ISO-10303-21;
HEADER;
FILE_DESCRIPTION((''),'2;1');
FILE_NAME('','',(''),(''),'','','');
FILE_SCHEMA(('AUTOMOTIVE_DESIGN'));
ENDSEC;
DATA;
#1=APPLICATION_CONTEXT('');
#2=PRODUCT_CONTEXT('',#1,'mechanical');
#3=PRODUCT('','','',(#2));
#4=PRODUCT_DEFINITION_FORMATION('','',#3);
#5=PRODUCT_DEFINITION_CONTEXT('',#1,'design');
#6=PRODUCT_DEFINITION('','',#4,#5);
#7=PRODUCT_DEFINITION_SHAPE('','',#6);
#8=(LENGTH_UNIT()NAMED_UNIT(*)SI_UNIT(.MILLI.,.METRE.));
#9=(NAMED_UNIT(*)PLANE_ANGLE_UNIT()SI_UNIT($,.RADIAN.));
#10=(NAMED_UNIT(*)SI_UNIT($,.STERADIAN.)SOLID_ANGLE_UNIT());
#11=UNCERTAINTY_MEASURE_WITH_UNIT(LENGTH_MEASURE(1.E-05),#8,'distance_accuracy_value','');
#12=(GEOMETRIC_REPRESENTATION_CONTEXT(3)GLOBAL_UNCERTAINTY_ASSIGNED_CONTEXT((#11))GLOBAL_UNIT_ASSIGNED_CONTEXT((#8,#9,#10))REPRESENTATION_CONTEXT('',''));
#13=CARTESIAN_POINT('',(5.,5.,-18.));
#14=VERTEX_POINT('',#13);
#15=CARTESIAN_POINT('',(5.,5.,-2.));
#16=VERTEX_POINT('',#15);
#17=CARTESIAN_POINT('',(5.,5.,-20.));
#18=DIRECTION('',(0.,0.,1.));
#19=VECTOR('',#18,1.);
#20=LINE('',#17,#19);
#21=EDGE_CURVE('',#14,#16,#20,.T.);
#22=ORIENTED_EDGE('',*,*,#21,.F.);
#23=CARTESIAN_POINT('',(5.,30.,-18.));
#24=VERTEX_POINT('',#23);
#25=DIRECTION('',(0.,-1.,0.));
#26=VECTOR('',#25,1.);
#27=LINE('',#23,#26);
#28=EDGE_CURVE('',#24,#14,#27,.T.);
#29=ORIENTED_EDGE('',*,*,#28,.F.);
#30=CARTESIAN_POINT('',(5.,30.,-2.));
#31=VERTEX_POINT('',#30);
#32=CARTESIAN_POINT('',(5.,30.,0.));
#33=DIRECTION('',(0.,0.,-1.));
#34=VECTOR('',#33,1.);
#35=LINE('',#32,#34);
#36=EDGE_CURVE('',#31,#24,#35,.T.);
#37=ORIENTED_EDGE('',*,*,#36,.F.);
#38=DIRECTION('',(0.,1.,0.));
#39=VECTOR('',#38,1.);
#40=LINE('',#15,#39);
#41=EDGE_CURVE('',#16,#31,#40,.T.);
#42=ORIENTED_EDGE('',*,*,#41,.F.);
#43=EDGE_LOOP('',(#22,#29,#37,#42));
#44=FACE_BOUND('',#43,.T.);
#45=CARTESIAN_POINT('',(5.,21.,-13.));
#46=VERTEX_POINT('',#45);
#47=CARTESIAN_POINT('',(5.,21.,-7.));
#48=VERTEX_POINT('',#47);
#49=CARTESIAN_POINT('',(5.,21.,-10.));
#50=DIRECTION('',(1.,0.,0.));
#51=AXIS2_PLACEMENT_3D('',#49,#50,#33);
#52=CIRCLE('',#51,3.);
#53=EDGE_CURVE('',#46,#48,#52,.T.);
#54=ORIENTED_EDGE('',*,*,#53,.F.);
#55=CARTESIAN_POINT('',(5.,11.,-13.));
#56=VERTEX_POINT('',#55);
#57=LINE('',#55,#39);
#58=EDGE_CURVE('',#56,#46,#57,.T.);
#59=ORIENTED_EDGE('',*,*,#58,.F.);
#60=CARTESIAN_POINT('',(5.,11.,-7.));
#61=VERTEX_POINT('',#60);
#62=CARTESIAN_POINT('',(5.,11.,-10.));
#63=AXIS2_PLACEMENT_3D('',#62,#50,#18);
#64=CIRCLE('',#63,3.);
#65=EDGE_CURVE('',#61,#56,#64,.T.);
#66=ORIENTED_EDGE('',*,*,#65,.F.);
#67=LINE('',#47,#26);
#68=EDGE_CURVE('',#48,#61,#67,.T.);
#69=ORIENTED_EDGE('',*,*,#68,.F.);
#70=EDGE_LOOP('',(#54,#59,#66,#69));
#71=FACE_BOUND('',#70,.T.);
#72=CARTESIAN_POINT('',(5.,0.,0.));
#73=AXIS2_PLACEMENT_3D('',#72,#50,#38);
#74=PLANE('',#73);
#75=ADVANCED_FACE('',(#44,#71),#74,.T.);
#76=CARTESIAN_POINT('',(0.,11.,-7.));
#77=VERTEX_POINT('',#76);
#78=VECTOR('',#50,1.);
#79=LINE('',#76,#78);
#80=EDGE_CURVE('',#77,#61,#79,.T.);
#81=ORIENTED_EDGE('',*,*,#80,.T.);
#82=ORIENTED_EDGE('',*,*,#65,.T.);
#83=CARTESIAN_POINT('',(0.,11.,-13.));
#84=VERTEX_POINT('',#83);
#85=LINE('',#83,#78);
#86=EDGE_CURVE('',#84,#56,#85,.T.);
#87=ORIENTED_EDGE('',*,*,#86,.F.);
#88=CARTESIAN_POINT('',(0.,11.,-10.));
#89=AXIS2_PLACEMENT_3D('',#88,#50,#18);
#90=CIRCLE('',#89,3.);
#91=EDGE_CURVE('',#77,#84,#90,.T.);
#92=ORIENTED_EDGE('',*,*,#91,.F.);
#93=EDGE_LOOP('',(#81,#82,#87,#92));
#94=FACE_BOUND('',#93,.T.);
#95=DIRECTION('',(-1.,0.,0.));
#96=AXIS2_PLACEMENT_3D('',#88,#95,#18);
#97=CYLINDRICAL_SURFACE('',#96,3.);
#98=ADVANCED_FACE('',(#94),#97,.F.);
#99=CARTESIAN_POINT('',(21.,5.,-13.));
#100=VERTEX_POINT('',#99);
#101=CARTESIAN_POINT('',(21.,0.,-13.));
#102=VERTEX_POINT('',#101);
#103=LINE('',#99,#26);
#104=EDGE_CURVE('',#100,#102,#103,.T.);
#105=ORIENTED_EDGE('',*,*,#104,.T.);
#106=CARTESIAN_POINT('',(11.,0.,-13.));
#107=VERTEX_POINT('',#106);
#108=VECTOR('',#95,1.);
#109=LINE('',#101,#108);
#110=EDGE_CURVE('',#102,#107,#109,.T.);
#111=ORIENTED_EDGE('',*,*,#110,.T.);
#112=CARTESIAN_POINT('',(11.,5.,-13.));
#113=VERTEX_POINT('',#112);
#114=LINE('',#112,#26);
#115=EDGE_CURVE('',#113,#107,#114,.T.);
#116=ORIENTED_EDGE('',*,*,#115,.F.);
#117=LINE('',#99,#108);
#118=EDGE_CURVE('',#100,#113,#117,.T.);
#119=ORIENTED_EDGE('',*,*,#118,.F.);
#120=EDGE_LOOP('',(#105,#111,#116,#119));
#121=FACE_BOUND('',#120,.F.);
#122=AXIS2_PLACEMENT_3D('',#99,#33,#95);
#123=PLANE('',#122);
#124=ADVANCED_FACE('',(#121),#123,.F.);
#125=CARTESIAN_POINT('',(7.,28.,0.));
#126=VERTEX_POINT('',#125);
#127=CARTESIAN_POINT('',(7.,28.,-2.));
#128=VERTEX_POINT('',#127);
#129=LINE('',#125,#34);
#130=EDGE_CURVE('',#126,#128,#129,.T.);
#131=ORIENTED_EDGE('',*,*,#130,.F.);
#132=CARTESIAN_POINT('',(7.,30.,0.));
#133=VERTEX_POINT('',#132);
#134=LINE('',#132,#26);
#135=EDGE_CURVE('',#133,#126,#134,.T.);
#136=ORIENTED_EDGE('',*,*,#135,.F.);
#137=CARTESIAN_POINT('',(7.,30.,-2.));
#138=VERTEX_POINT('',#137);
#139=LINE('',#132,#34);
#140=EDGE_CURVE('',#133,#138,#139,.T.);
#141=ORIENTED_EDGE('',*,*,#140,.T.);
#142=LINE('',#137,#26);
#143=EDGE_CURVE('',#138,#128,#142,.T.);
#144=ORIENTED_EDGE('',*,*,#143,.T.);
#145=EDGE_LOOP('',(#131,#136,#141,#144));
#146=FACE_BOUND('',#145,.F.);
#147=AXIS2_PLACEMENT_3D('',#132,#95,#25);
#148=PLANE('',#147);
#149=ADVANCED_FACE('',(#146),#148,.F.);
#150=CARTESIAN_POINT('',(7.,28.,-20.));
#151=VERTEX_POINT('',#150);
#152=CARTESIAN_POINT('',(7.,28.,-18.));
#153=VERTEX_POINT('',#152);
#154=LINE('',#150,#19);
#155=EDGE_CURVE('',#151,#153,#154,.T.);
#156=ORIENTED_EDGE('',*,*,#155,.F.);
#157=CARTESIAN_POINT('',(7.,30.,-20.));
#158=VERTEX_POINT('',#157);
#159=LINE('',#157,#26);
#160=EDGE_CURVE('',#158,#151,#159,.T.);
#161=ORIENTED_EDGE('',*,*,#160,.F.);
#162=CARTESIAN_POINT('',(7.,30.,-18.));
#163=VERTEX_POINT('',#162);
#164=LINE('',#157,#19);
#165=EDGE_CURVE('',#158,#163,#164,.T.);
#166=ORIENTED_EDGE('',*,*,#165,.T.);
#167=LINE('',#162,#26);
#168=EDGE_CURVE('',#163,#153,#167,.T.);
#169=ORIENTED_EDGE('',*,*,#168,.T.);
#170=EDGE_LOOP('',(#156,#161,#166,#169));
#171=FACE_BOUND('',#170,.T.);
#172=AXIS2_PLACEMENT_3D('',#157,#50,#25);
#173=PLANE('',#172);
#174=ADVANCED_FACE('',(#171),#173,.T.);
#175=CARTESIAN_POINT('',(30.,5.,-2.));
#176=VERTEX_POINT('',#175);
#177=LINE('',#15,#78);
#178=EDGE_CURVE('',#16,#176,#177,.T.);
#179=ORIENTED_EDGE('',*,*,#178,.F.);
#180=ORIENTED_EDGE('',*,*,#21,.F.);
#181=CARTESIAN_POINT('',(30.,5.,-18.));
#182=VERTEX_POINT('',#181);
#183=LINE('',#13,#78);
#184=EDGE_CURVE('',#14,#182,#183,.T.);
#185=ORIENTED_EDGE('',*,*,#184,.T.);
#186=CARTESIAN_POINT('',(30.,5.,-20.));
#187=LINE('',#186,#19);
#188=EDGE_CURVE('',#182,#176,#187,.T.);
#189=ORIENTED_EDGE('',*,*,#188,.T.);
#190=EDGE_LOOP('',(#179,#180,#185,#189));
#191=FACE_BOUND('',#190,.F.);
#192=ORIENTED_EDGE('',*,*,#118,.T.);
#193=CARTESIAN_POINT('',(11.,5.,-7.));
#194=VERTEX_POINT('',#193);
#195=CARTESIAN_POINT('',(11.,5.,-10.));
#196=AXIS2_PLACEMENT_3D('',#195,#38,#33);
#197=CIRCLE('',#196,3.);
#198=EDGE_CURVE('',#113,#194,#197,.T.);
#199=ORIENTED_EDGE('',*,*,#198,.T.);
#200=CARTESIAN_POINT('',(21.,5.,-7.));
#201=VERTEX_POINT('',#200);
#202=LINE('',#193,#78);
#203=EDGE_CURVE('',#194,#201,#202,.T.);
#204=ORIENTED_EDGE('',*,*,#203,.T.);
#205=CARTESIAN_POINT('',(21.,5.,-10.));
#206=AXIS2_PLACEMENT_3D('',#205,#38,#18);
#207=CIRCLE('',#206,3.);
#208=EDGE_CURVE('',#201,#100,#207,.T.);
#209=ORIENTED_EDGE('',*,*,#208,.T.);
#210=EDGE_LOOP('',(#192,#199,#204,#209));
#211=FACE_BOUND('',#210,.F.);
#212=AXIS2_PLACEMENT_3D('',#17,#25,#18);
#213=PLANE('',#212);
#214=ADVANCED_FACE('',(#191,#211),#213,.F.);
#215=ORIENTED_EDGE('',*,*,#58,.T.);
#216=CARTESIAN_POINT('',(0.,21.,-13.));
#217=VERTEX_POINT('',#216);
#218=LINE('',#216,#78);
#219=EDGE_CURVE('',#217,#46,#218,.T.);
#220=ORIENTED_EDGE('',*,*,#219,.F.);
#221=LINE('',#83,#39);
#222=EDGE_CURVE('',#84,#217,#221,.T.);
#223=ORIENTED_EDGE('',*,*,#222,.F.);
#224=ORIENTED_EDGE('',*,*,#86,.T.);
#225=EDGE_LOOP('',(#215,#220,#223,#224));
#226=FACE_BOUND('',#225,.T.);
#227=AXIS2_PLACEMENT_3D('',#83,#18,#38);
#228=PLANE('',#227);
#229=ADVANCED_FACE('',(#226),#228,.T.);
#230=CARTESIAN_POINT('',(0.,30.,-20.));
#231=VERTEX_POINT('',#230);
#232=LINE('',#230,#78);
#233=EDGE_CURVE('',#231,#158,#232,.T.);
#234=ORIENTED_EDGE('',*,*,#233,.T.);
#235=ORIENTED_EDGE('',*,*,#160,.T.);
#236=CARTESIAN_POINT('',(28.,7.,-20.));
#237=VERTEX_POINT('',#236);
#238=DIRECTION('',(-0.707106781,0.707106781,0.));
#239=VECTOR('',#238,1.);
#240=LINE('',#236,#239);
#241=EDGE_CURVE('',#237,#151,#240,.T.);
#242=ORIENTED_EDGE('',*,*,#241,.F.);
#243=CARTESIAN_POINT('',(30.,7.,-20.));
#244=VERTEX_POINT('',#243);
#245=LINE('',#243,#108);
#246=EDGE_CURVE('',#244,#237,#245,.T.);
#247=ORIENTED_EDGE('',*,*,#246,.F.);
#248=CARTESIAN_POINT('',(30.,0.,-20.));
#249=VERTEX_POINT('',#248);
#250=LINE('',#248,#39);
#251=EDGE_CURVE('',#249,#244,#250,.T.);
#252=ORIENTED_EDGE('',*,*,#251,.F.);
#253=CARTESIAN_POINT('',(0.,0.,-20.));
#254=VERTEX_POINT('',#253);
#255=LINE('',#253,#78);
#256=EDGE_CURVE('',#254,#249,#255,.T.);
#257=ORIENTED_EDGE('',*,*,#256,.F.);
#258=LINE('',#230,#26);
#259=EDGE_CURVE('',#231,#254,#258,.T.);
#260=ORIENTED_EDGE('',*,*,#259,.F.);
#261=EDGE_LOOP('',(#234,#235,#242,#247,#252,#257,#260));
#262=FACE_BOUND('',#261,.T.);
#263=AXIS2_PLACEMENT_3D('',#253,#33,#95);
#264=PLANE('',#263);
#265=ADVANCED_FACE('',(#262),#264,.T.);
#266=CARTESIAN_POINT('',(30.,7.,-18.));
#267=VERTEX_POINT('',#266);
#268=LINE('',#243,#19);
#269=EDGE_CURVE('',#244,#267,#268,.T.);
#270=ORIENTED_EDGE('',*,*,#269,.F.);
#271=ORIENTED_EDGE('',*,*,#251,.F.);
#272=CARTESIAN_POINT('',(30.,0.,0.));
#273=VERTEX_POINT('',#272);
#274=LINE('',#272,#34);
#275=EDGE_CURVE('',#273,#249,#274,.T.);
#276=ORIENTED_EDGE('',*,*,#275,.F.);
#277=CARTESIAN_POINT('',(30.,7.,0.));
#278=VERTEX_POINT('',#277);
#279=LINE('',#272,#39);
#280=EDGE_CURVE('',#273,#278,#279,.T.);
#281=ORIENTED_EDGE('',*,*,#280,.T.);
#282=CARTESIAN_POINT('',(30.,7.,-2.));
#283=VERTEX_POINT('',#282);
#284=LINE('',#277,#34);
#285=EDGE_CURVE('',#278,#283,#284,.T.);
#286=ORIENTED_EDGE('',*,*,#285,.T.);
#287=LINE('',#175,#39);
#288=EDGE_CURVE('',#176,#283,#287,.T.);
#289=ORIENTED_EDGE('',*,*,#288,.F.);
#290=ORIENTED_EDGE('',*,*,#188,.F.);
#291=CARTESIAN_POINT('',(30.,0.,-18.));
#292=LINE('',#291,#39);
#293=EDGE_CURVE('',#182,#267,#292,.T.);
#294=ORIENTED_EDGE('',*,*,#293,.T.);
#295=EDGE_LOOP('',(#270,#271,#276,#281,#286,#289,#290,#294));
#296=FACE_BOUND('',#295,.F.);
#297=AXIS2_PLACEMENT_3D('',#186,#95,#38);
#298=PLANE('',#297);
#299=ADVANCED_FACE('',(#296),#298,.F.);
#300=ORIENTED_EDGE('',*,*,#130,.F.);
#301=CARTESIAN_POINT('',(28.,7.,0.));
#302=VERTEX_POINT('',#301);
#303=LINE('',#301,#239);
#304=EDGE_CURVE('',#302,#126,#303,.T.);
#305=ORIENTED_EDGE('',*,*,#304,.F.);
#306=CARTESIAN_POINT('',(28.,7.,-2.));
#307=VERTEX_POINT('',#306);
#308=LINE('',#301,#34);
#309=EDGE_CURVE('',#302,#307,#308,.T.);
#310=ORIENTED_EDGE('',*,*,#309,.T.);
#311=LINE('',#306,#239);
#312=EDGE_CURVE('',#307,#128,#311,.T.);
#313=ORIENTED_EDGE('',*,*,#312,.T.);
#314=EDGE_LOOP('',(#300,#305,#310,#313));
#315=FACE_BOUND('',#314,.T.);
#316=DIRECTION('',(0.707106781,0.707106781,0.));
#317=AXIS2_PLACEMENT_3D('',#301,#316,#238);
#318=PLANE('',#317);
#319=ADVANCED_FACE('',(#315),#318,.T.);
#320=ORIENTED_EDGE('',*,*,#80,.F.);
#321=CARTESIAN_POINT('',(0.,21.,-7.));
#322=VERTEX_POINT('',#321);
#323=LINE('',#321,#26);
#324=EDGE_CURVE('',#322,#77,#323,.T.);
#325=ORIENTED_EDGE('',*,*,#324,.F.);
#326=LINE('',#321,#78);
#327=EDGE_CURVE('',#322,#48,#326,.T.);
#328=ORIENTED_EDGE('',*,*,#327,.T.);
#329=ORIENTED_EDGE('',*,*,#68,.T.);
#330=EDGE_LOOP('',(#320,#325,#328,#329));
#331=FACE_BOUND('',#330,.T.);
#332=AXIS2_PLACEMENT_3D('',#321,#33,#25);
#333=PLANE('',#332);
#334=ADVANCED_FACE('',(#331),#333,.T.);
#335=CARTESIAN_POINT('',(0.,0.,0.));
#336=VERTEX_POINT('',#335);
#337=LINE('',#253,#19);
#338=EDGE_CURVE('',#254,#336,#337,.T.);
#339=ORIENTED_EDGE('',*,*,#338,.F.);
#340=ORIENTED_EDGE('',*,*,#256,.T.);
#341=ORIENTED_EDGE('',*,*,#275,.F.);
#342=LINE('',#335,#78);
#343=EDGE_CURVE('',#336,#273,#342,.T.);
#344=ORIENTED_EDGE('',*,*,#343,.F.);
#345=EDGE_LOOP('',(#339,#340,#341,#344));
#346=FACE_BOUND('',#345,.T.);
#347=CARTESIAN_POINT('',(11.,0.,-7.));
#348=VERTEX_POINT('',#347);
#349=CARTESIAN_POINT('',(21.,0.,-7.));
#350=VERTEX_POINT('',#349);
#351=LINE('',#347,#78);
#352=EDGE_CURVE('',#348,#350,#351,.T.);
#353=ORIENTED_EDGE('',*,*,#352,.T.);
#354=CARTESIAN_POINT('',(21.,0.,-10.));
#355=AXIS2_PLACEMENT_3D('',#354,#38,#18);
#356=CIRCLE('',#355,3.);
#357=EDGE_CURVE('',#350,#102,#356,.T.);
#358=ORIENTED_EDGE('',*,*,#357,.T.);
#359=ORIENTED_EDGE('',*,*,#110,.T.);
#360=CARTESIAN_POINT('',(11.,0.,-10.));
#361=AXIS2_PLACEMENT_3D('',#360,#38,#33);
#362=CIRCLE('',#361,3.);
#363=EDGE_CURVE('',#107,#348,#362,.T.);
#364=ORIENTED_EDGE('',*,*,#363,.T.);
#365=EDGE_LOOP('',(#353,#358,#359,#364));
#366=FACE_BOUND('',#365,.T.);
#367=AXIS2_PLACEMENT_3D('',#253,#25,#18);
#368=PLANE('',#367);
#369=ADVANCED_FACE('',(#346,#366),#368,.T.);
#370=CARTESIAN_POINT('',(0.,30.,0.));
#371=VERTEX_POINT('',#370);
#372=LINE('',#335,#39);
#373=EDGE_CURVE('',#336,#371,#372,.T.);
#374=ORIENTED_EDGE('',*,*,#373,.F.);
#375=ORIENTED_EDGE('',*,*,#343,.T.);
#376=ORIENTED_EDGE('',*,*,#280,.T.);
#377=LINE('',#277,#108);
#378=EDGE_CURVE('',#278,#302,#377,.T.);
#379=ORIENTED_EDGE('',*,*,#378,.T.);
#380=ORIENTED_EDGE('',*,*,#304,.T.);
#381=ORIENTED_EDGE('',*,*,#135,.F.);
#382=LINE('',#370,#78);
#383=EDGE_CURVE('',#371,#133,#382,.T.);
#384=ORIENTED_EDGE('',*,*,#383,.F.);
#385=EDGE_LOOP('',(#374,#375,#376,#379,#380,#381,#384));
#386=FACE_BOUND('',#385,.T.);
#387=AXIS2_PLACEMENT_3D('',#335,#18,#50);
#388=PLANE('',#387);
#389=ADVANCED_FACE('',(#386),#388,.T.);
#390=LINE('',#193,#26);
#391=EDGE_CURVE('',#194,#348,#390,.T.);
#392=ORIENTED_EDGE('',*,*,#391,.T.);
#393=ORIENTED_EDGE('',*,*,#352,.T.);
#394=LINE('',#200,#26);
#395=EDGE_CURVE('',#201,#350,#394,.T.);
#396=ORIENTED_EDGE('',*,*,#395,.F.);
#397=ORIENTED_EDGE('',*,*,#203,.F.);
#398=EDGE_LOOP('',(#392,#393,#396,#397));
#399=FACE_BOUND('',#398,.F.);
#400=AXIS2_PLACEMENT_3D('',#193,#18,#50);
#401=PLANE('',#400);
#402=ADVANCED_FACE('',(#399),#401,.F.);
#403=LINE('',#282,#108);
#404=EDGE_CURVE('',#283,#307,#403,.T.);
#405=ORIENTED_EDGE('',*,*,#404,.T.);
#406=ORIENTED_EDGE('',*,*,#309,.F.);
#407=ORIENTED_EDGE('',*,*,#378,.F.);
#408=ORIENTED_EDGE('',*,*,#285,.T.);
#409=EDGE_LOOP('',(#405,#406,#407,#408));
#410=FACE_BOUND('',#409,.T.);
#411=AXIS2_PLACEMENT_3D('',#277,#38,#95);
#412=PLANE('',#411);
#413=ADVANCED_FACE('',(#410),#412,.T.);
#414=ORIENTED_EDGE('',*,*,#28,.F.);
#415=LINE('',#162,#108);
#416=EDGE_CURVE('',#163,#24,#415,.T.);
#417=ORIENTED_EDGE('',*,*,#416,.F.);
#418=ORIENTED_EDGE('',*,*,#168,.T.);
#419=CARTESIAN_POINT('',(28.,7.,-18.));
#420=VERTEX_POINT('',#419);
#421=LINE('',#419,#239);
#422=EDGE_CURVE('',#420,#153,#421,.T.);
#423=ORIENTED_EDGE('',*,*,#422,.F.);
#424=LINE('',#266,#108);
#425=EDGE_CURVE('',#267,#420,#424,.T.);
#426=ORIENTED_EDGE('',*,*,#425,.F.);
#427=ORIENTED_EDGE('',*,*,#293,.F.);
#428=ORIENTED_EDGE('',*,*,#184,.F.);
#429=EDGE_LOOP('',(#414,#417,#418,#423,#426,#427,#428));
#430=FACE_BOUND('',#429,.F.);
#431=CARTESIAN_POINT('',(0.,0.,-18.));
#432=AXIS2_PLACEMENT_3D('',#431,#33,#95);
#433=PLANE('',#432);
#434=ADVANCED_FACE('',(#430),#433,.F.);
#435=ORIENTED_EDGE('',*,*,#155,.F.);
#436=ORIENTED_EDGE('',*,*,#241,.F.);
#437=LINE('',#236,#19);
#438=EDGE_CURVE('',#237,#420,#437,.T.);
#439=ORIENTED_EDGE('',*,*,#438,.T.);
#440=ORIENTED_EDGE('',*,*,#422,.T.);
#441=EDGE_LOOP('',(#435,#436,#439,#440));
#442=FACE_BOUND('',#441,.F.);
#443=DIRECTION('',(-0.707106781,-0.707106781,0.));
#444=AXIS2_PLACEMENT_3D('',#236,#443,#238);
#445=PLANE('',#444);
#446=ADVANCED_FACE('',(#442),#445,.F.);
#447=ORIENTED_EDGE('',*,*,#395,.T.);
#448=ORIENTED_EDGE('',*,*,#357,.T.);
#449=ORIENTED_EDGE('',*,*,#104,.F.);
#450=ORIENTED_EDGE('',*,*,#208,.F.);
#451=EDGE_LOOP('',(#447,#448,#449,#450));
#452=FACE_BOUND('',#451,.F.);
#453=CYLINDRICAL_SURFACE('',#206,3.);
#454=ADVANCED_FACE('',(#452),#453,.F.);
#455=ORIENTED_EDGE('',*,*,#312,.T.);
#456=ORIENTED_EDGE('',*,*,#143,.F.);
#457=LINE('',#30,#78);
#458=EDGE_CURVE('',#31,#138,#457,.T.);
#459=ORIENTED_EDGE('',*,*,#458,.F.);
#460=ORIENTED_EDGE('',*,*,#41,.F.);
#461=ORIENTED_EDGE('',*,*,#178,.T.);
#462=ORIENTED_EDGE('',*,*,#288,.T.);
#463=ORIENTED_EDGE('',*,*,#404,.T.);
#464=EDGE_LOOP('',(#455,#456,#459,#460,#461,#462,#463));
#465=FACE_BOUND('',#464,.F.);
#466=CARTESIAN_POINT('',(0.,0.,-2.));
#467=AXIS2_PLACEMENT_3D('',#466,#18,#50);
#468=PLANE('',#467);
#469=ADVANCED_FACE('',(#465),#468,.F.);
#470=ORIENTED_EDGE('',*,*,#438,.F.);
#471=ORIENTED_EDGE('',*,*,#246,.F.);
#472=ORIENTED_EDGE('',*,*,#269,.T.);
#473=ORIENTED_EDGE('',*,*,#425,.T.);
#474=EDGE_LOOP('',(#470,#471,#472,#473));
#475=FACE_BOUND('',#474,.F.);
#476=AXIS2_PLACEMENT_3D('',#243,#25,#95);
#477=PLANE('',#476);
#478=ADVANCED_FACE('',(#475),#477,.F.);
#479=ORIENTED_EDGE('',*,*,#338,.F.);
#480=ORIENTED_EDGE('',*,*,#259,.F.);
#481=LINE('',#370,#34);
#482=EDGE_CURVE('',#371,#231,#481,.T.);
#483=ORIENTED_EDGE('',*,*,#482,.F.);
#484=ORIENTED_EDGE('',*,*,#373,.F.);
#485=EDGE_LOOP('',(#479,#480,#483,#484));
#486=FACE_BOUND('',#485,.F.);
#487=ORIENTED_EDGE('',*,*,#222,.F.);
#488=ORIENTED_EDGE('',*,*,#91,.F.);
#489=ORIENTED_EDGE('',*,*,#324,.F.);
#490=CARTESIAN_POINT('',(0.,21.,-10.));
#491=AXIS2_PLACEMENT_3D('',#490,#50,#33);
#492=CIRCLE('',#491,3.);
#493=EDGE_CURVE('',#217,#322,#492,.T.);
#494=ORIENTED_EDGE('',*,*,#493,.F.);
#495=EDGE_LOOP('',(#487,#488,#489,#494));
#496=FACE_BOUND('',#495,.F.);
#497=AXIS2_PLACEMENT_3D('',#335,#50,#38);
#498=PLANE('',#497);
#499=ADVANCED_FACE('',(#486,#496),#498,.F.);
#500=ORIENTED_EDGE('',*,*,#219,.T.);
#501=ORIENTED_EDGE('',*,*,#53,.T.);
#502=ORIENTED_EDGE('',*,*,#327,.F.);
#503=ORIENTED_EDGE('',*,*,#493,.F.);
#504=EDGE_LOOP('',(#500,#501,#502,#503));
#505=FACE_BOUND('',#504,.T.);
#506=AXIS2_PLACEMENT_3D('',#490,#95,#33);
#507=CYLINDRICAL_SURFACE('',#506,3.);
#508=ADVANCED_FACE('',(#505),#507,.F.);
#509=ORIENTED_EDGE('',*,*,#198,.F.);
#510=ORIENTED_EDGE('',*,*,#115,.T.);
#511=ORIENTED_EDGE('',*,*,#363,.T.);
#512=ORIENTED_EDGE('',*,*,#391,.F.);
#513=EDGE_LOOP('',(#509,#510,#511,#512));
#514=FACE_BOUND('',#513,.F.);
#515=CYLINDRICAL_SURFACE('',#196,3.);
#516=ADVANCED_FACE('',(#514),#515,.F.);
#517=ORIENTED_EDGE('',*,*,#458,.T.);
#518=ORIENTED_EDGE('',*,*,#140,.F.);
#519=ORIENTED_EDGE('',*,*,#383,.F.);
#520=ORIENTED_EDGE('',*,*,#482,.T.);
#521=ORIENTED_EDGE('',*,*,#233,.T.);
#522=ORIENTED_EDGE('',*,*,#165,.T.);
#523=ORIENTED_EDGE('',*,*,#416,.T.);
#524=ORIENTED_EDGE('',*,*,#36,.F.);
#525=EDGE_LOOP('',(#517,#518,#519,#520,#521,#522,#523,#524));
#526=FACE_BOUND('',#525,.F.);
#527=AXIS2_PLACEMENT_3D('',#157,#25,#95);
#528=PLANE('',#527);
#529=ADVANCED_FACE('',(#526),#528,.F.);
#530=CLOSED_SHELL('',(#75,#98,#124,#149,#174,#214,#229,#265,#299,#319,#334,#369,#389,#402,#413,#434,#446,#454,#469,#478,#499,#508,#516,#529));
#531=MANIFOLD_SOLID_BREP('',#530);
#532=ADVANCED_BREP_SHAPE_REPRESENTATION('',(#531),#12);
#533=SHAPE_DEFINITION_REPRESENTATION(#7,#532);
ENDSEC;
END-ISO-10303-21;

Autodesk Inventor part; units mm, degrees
ref_plane "YZ Plane" through (0, 0, 0) normal (1, 0, 0) x (0, 1, 0)
ref_plane "XZ Plane" through (0, 0, 0) normal (0, 1, 0) x (-1, 0, 0)
ref_plane "XY Plane" through (0, 0, 0) normal (0, 0, 1) x (1, 0, 0)
sketch "Boceto1" plane through (0, 0, 0) normal (1, 0, 0) x (0, 1, 0)
  line L0 (0, 0) -> (30, 0)
  line L1 (30, 0) -> (30, -20)
  line L2 (30, -20) -> (0, -20)
  line L3 (0, -20) -> (0, 0)
  line L4 (21, -10) -> (11, -10) construction
  line L5 (21, -7) -> (11, -7)
  line L6 (11, -13) -> (21, -13)
  arc A0 (21, -13) -> (21, -7) centre (21, -10) ccw
  arc A1 (11, -7) -> (11, -13) centre (11, -10) ccw
  point P0 (16, -10)
  point P1 (24, -10)
  point P2 (30, -10)
  point P3 (0, -10)
  point P4 (8, -10)
  dimension "d0" = 30
  dimension "d1" = 20
  dimension "d2" = 10
  dimension "d3" = 6
  dimension "d4" = 6
extrude "Extrusión1" add sketch "Boceto1" along normal blind 5
sketch "Boceto2" plane through (5, 0, 0) normal (1, 0, 0) x (0, 0, -1)
  line L0 (0, 0) -> (20, 0) projected
  line L1 (0, 0) -> (20, 0)
  line L2 (20, 0) -> (20, 5)
  line L3 (20, 5) -> (0, 5)
  line L4 (0, 5) -> (0, 0)
  dimension "d8" = 20
  dimension "d9" = 5
extrude "Extrusión2" add sketch "Boceto2" along normal blind 25
sketch "Boceto3" plane through (5, 5, 0) normal (0, 1, 0) x (1, 0, 0)
  line L0 (6, 10) -> (16, 10) construction
  line L1 (6, 7) -> (16, 7)
  line L2 (16, 13) -> (6, 13)
  arc A0 (6, 13) -> (6, 7) centre (6, 10) ccw
  arc A1 (16, 7) -> (16, 13) centre (16, 10) ccw
  line L3 (25, 20) -> (25, 0) projected
  line L4 (0, 0) -> (25, 0) projected
  point P0 (-5, 0)
  point P1 (11, 10)
  point P2 (25, 10)
  point P3 (19, 10)
  dimension "d12" = 10
  dimension "d13" = 6
  dimension "d14" = 6
  dimension "d15" = 10
extrude "Extrusión3" cut sketch "Boceto3" against normal blind 5
sketch "Boceto4" plane through (0, 0, 0) normal (0, 0, 1) x (1, 0, 0)
  line L0 (5, 30) -> (5, 5) projected
  line L1 (5, 5) -> (30, 5) projected
  line L2 (5, 5) -> (5, 28)
  line L3 (5, 30) -> (7, 30)
  line L4 (7, 30) -> (7, 28)
  line L5 (30, 5) -> (30, 7)
  line L6 (30, 7) -> (28, 7)
  line L7 (28, 7) -> (7, 28)
  point P0 (0, 0)
  point P1 (28, 5)
  dimension "d18" = 2
  dimension "d19" = 2
  dimension "d22" = 2
extrude "Extrusión4" add sketch "Boceto4" against normal blind 2
sketch "Boceto5" plane through (0, 0, -20) normal (0, 0, -1) x (-1, 0, 0)
  line L0 (-30, 0) -> (-30, 5) projected
  line L1 (-30, 0) -> (-30, 7) projected
  line L2 (-30, 5) -> (-30, 7)
  line L3 (-30, 7) -> (-28, 7)
  line L4 (-7, 30) -> (-7, 28) projected
  line L5 (-28, 7) -> (-7, 28)
  line L6 (-7, 28) -> (-7, 30)
  line L7 (-7, 30) -> (-5, 30)
  line L8 (-5, 30) -> (-5, 5)
  line L9 (-5, 5) -> (-30, 5)
  point P0 (0, 0)
  dimension "d23" = 2
extrude "Extrusión5" add sketch "Boceto5" against normal blind 2
properties part number "Esquinero" material "Aluminio 6061"
